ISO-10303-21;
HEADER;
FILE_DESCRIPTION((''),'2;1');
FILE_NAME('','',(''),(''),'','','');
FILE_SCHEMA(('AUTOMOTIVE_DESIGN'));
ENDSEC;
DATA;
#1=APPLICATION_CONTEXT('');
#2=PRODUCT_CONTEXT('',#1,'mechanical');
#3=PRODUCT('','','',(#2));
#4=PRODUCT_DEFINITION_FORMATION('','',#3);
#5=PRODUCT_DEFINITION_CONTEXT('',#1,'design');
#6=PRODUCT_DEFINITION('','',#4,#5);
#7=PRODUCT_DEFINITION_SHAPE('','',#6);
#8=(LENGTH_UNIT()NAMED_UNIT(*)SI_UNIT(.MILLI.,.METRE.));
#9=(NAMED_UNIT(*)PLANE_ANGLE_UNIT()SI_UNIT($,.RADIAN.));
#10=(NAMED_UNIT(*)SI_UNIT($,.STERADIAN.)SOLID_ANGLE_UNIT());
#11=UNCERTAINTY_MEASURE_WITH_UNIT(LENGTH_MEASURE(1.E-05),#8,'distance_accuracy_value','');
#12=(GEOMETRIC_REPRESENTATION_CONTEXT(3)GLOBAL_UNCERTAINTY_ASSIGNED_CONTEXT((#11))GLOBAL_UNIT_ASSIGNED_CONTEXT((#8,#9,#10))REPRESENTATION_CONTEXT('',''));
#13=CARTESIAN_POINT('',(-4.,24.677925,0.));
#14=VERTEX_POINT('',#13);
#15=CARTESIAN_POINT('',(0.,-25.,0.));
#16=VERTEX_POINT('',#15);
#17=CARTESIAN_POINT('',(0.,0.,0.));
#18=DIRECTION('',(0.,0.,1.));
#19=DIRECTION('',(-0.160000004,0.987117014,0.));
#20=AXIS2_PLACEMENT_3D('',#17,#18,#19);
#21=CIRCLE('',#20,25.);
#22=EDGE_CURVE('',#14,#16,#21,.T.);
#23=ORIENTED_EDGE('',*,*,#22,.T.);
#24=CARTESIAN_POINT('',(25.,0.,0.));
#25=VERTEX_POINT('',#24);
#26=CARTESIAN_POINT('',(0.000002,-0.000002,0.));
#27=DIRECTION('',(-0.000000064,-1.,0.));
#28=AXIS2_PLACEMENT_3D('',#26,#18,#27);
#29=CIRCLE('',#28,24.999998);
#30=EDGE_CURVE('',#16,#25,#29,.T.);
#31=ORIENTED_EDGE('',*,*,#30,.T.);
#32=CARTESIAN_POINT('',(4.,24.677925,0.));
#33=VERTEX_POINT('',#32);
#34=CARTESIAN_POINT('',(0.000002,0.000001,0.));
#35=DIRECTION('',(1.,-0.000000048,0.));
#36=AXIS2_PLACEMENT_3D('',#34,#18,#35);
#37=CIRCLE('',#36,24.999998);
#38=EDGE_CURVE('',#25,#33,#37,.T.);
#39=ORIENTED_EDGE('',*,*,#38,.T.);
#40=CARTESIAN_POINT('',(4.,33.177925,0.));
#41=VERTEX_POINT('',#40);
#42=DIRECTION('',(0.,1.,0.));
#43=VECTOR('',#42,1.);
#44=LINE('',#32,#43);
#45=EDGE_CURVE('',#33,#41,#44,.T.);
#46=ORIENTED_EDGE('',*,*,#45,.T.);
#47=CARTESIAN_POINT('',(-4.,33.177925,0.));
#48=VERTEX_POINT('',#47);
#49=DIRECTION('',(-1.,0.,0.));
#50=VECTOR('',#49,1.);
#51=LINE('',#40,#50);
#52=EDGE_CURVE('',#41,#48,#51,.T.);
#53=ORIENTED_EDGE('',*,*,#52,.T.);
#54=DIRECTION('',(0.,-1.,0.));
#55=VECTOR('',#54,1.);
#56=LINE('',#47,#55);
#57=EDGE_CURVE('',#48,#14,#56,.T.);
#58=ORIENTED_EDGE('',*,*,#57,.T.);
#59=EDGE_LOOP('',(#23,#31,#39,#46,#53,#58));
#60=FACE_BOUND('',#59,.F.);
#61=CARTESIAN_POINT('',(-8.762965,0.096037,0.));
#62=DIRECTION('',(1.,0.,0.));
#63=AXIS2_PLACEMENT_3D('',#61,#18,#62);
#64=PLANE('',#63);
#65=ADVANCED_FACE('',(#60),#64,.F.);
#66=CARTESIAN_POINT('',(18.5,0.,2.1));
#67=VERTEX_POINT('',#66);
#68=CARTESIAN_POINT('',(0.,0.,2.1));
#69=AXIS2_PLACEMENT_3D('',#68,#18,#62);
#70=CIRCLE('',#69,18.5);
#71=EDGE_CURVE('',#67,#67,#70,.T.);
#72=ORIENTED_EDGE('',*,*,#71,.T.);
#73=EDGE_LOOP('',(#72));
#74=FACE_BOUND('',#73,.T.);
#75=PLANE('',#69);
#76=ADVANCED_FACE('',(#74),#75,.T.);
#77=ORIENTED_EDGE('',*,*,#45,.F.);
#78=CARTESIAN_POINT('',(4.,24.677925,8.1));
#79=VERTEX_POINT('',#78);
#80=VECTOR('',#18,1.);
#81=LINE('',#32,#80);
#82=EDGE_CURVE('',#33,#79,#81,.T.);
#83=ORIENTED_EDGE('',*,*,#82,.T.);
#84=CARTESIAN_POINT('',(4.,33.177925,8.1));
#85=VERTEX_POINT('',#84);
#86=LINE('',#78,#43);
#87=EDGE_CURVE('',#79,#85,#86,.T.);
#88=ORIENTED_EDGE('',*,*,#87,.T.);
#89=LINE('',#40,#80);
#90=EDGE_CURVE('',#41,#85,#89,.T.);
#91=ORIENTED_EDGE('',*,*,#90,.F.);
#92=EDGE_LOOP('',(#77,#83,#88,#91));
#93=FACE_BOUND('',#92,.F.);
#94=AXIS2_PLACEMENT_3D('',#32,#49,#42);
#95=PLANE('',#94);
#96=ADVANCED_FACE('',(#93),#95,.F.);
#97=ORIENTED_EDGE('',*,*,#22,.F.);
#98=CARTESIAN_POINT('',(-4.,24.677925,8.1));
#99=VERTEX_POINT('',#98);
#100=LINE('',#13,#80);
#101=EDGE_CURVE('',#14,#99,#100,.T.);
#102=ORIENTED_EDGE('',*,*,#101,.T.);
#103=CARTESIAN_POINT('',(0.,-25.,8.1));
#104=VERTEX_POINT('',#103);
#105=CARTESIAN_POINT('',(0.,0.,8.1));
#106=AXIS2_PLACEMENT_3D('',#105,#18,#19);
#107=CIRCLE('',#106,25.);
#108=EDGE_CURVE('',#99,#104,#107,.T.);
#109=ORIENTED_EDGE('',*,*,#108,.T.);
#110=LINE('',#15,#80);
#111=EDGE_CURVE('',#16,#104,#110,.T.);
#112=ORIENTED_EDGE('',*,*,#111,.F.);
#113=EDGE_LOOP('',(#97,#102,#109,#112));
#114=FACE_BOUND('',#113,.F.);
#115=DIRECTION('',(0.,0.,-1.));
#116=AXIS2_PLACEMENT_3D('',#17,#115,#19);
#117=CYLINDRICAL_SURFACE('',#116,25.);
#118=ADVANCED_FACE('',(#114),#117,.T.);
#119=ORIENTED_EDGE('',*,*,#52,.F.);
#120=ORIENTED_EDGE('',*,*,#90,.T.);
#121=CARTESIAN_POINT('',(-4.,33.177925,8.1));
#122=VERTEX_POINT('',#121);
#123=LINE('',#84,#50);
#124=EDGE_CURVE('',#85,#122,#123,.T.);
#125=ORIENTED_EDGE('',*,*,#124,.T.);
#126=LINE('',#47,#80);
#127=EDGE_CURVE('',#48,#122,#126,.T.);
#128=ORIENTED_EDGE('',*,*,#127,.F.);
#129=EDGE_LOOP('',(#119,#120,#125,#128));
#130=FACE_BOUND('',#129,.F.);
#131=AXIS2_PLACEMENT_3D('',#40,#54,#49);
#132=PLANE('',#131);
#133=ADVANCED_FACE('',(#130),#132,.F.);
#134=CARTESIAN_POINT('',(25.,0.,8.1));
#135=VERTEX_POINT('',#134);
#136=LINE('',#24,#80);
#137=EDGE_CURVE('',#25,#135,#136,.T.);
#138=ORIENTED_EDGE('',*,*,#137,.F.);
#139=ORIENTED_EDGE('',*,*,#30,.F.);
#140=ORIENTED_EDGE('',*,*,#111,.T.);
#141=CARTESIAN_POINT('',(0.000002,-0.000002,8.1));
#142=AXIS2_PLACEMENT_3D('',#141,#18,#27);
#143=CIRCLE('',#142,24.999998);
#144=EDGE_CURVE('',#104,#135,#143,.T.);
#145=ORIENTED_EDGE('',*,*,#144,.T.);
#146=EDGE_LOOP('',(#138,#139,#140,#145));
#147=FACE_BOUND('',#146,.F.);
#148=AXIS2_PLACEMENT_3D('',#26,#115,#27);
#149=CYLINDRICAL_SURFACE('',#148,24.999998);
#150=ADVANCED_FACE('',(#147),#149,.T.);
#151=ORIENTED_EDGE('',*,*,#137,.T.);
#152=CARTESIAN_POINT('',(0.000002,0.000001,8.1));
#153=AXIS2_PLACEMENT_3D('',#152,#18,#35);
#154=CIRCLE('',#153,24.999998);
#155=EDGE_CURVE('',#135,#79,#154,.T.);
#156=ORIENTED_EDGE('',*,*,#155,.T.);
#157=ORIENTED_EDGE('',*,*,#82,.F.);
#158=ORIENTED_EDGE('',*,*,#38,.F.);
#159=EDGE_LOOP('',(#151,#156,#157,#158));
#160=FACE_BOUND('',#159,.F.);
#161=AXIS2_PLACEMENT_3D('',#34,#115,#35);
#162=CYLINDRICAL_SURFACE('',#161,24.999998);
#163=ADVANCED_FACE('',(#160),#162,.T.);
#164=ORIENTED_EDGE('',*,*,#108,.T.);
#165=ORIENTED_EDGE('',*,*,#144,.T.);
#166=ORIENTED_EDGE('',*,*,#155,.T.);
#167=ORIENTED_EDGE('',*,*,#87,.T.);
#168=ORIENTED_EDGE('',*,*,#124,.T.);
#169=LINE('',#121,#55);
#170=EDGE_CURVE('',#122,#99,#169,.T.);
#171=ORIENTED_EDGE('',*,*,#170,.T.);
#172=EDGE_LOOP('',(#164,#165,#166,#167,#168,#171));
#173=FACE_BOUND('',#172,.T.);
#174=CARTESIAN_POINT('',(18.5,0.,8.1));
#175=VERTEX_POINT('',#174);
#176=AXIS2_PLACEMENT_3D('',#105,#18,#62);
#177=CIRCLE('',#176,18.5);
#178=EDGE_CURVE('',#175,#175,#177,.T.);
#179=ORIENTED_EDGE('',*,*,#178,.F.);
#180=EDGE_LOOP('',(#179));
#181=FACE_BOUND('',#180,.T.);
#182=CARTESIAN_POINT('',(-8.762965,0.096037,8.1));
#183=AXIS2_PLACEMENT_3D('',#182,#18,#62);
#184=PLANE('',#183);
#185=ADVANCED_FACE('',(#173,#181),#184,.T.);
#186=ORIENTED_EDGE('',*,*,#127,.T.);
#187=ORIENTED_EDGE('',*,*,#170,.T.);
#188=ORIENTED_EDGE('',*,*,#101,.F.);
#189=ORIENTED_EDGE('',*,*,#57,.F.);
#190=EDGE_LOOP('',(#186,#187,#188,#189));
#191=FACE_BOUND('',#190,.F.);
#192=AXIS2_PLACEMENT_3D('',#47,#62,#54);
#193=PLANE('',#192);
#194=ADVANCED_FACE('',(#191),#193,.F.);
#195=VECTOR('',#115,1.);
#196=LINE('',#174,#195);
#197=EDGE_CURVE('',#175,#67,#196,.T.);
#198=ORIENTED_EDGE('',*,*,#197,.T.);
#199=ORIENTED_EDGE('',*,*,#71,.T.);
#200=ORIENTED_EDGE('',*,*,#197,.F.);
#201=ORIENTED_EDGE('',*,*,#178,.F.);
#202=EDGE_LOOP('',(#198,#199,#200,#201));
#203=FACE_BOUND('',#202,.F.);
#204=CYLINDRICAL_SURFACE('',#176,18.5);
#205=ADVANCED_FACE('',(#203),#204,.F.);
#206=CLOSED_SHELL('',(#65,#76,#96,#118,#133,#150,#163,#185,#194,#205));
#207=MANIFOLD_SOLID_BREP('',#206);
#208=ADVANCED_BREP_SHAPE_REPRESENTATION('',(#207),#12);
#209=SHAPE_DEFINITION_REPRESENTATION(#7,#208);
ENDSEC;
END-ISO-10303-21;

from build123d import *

# Parameters (mm, degrees)
F1_DEPTH = 8.1
F3_R     = 18.5
F4_DEPTH = 6


with BuildPart() as f1:
    # F0 (on Top) → F1 (new body)
    with BuildSketch(Plane.XY):
        with BuildLine():
            ThreePointArc((-4, 24.677925), (-24.919351, -2.006473), (0, -25))
            Line((0, -25), (0, 25))
            ThreePointArc((0, 25), (-2.006473, 24.919351), (-4, 24.677925))
        make_face()
        with BuildLine():
            ThreePointArc((0, -25), (17.67767, -17.67767), (25, 0))
            ThreePointArc((25, 0), (19.039433, 16.201852), (4, 24.677925))
            ThreePointArc((4, 24.677925), (2.006473, 24.919351), (0, 25))
            Line((0, 25), (0, -25))
        make_face()
        with BuildLine():
            ThreePointArc((0, 25), (2.006473, 24.919351), (4, 24.677925))
            Line((4, 24.677925), (4, 33.177925))
            Line((4, 33.177925), (-4, 33.177925))
            Line((-4, 33.177925), (-4, 24.677925))
            ThreePointArc((-4, 24.677925), (-2.006473, 24.919351), (0, 25))
        make_face()
    extrude(amount=F1_DEPTH)

    # F3 (on face) → F4 (cut)
    with BuildSketch(Plane.XY.offset(8.1)):
        Circle(F3_R)
    extrude(amount=-F4_DEPTH, mode=Mode.SUBTRACT)


solid = f1.part
